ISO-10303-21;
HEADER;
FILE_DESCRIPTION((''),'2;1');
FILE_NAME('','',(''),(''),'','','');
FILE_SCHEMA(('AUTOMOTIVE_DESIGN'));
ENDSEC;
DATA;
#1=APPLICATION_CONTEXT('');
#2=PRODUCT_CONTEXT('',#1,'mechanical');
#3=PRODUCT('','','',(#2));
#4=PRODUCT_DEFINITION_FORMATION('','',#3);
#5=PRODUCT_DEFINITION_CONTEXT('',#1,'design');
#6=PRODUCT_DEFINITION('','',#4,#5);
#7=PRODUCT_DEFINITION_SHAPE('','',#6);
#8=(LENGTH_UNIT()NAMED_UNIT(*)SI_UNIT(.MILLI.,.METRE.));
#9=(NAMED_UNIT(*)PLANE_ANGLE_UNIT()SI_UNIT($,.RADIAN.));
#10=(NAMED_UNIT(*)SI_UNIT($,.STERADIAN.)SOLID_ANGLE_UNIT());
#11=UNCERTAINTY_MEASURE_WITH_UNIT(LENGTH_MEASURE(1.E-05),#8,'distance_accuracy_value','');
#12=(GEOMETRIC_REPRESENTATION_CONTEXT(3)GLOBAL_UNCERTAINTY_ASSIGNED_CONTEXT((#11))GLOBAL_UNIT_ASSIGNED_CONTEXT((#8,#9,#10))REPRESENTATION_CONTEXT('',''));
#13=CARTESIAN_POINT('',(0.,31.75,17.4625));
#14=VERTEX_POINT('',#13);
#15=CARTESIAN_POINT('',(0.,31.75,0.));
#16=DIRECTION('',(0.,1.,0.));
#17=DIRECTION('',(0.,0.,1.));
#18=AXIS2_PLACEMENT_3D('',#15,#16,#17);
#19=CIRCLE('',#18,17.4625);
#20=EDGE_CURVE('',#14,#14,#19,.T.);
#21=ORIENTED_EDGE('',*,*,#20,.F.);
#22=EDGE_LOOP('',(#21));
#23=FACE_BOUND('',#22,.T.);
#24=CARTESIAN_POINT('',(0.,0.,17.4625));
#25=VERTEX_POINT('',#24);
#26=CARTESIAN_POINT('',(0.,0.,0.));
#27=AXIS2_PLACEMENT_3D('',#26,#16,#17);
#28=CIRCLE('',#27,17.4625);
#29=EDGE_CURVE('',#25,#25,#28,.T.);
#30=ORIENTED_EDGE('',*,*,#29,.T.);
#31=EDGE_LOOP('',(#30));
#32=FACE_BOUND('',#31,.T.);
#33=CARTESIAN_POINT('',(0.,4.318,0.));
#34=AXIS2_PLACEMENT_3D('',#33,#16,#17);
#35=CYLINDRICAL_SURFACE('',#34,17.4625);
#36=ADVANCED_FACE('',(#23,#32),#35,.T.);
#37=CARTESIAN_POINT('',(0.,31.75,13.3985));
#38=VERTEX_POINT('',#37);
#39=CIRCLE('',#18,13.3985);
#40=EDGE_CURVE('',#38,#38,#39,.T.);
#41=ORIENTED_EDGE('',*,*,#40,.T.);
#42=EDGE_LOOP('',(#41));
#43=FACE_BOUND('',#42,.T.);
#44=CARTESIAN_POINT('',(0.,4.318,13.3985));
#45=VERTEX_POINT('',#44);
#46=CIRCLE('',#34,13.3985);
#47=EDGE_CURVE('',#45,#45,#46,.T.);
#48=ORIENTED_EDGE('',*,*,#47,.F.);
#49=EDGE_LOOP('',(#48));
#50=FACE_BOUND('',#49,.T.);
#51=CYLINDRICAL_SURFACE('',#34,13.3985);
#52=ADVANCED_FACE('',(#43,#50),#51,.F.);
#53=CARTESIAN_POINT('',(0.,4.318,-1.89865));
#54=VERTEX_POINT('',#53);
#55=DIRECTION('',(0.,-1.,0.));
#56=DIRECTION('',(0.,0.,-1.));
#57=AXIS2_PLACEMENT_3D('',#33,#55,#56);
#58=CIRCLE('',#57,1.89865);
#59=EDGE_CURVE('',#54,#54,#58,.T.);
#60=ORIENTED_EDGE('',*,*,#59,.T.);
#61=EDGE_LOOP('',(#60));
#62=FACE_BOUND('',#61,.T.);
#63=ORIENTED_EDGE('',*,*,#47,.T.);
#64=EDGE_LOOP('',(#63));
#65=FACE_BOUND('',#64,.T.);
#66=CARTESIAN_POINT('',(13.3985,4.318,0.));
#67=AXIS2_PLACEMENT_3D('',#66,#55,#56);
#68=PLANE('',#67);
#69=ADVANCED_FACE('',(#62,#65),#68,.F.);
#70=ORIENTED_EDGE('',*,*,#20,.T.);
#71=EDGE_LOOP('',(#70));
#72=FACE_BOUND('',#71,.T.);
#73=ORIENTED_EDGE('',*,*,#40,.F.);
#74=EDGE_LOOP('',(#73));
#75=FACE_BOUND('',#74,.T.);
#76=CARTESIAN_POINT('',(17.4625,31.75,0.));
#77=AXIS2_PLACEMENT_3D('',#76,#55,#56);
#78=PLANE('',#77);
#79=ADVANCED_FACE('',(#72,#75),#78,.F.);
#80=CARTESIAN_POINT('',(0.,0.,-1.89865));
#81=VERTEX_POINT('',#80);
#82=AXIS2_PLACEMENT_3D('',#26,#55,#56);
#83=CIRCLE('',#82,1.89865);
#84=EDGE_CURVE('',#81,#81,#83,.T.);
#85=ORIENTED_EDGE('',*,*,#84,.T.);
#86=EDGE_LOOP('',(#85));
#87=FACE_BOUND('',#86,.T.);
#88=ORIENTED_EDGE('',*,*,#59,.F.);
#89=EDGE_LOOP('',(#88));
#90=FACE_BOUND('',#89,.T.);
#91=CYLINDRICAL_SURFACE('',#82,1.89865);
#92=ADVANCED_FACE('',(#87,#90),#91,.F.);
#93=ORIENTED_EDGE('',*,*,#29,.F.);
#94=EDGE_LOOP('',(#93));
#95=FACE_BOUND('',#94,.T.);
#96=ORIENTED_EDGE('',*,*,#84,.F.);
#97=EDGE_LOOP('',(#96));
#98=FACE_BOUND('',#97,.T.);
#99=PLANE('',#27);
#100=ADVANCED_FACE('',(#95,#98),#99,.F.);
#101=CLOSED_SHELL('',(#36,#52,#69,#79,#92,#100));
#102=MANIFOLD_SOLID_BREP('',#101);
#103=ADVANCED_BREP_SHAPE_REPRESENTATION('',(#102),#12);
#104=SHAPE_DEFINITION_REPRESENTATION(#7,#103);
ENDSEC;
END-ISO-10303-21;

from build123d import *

# Parameters (mm, degrees)
F_6_CLEARANCE_HOLE1_D = 3.7973


with BuildPart() as part:
    # Sketch1 → Revolve1 (revolve)
    with BuildSketch(Plane.XY, mode=Mode.PRIVATE) as revolve1_sk:
        Polygon((13.3985, 31.75), (13.3985, 4.318), (0, 4.318), (0, 0), (17.4625, 0), (17.4625, 31.75), align=None)
    revolve(revolve1_sk.sketch.rotate(Axis((0, 4.318, 0), (0, -1, 0)), 90), axis=Axis((0, 4.318, 0), (0, -1, 0)))

    # #6 Clearance Hole1 (through all)
    with Locations(Plane(origin=(0, 0, 0), x_dir=(-1, 0, 0), z_dir=(0, -1, 0))):
        with Locations((0, 0)):
            Hole(F_6_CLEARANCE_HOLE1_D / 2)


solid = part.part
